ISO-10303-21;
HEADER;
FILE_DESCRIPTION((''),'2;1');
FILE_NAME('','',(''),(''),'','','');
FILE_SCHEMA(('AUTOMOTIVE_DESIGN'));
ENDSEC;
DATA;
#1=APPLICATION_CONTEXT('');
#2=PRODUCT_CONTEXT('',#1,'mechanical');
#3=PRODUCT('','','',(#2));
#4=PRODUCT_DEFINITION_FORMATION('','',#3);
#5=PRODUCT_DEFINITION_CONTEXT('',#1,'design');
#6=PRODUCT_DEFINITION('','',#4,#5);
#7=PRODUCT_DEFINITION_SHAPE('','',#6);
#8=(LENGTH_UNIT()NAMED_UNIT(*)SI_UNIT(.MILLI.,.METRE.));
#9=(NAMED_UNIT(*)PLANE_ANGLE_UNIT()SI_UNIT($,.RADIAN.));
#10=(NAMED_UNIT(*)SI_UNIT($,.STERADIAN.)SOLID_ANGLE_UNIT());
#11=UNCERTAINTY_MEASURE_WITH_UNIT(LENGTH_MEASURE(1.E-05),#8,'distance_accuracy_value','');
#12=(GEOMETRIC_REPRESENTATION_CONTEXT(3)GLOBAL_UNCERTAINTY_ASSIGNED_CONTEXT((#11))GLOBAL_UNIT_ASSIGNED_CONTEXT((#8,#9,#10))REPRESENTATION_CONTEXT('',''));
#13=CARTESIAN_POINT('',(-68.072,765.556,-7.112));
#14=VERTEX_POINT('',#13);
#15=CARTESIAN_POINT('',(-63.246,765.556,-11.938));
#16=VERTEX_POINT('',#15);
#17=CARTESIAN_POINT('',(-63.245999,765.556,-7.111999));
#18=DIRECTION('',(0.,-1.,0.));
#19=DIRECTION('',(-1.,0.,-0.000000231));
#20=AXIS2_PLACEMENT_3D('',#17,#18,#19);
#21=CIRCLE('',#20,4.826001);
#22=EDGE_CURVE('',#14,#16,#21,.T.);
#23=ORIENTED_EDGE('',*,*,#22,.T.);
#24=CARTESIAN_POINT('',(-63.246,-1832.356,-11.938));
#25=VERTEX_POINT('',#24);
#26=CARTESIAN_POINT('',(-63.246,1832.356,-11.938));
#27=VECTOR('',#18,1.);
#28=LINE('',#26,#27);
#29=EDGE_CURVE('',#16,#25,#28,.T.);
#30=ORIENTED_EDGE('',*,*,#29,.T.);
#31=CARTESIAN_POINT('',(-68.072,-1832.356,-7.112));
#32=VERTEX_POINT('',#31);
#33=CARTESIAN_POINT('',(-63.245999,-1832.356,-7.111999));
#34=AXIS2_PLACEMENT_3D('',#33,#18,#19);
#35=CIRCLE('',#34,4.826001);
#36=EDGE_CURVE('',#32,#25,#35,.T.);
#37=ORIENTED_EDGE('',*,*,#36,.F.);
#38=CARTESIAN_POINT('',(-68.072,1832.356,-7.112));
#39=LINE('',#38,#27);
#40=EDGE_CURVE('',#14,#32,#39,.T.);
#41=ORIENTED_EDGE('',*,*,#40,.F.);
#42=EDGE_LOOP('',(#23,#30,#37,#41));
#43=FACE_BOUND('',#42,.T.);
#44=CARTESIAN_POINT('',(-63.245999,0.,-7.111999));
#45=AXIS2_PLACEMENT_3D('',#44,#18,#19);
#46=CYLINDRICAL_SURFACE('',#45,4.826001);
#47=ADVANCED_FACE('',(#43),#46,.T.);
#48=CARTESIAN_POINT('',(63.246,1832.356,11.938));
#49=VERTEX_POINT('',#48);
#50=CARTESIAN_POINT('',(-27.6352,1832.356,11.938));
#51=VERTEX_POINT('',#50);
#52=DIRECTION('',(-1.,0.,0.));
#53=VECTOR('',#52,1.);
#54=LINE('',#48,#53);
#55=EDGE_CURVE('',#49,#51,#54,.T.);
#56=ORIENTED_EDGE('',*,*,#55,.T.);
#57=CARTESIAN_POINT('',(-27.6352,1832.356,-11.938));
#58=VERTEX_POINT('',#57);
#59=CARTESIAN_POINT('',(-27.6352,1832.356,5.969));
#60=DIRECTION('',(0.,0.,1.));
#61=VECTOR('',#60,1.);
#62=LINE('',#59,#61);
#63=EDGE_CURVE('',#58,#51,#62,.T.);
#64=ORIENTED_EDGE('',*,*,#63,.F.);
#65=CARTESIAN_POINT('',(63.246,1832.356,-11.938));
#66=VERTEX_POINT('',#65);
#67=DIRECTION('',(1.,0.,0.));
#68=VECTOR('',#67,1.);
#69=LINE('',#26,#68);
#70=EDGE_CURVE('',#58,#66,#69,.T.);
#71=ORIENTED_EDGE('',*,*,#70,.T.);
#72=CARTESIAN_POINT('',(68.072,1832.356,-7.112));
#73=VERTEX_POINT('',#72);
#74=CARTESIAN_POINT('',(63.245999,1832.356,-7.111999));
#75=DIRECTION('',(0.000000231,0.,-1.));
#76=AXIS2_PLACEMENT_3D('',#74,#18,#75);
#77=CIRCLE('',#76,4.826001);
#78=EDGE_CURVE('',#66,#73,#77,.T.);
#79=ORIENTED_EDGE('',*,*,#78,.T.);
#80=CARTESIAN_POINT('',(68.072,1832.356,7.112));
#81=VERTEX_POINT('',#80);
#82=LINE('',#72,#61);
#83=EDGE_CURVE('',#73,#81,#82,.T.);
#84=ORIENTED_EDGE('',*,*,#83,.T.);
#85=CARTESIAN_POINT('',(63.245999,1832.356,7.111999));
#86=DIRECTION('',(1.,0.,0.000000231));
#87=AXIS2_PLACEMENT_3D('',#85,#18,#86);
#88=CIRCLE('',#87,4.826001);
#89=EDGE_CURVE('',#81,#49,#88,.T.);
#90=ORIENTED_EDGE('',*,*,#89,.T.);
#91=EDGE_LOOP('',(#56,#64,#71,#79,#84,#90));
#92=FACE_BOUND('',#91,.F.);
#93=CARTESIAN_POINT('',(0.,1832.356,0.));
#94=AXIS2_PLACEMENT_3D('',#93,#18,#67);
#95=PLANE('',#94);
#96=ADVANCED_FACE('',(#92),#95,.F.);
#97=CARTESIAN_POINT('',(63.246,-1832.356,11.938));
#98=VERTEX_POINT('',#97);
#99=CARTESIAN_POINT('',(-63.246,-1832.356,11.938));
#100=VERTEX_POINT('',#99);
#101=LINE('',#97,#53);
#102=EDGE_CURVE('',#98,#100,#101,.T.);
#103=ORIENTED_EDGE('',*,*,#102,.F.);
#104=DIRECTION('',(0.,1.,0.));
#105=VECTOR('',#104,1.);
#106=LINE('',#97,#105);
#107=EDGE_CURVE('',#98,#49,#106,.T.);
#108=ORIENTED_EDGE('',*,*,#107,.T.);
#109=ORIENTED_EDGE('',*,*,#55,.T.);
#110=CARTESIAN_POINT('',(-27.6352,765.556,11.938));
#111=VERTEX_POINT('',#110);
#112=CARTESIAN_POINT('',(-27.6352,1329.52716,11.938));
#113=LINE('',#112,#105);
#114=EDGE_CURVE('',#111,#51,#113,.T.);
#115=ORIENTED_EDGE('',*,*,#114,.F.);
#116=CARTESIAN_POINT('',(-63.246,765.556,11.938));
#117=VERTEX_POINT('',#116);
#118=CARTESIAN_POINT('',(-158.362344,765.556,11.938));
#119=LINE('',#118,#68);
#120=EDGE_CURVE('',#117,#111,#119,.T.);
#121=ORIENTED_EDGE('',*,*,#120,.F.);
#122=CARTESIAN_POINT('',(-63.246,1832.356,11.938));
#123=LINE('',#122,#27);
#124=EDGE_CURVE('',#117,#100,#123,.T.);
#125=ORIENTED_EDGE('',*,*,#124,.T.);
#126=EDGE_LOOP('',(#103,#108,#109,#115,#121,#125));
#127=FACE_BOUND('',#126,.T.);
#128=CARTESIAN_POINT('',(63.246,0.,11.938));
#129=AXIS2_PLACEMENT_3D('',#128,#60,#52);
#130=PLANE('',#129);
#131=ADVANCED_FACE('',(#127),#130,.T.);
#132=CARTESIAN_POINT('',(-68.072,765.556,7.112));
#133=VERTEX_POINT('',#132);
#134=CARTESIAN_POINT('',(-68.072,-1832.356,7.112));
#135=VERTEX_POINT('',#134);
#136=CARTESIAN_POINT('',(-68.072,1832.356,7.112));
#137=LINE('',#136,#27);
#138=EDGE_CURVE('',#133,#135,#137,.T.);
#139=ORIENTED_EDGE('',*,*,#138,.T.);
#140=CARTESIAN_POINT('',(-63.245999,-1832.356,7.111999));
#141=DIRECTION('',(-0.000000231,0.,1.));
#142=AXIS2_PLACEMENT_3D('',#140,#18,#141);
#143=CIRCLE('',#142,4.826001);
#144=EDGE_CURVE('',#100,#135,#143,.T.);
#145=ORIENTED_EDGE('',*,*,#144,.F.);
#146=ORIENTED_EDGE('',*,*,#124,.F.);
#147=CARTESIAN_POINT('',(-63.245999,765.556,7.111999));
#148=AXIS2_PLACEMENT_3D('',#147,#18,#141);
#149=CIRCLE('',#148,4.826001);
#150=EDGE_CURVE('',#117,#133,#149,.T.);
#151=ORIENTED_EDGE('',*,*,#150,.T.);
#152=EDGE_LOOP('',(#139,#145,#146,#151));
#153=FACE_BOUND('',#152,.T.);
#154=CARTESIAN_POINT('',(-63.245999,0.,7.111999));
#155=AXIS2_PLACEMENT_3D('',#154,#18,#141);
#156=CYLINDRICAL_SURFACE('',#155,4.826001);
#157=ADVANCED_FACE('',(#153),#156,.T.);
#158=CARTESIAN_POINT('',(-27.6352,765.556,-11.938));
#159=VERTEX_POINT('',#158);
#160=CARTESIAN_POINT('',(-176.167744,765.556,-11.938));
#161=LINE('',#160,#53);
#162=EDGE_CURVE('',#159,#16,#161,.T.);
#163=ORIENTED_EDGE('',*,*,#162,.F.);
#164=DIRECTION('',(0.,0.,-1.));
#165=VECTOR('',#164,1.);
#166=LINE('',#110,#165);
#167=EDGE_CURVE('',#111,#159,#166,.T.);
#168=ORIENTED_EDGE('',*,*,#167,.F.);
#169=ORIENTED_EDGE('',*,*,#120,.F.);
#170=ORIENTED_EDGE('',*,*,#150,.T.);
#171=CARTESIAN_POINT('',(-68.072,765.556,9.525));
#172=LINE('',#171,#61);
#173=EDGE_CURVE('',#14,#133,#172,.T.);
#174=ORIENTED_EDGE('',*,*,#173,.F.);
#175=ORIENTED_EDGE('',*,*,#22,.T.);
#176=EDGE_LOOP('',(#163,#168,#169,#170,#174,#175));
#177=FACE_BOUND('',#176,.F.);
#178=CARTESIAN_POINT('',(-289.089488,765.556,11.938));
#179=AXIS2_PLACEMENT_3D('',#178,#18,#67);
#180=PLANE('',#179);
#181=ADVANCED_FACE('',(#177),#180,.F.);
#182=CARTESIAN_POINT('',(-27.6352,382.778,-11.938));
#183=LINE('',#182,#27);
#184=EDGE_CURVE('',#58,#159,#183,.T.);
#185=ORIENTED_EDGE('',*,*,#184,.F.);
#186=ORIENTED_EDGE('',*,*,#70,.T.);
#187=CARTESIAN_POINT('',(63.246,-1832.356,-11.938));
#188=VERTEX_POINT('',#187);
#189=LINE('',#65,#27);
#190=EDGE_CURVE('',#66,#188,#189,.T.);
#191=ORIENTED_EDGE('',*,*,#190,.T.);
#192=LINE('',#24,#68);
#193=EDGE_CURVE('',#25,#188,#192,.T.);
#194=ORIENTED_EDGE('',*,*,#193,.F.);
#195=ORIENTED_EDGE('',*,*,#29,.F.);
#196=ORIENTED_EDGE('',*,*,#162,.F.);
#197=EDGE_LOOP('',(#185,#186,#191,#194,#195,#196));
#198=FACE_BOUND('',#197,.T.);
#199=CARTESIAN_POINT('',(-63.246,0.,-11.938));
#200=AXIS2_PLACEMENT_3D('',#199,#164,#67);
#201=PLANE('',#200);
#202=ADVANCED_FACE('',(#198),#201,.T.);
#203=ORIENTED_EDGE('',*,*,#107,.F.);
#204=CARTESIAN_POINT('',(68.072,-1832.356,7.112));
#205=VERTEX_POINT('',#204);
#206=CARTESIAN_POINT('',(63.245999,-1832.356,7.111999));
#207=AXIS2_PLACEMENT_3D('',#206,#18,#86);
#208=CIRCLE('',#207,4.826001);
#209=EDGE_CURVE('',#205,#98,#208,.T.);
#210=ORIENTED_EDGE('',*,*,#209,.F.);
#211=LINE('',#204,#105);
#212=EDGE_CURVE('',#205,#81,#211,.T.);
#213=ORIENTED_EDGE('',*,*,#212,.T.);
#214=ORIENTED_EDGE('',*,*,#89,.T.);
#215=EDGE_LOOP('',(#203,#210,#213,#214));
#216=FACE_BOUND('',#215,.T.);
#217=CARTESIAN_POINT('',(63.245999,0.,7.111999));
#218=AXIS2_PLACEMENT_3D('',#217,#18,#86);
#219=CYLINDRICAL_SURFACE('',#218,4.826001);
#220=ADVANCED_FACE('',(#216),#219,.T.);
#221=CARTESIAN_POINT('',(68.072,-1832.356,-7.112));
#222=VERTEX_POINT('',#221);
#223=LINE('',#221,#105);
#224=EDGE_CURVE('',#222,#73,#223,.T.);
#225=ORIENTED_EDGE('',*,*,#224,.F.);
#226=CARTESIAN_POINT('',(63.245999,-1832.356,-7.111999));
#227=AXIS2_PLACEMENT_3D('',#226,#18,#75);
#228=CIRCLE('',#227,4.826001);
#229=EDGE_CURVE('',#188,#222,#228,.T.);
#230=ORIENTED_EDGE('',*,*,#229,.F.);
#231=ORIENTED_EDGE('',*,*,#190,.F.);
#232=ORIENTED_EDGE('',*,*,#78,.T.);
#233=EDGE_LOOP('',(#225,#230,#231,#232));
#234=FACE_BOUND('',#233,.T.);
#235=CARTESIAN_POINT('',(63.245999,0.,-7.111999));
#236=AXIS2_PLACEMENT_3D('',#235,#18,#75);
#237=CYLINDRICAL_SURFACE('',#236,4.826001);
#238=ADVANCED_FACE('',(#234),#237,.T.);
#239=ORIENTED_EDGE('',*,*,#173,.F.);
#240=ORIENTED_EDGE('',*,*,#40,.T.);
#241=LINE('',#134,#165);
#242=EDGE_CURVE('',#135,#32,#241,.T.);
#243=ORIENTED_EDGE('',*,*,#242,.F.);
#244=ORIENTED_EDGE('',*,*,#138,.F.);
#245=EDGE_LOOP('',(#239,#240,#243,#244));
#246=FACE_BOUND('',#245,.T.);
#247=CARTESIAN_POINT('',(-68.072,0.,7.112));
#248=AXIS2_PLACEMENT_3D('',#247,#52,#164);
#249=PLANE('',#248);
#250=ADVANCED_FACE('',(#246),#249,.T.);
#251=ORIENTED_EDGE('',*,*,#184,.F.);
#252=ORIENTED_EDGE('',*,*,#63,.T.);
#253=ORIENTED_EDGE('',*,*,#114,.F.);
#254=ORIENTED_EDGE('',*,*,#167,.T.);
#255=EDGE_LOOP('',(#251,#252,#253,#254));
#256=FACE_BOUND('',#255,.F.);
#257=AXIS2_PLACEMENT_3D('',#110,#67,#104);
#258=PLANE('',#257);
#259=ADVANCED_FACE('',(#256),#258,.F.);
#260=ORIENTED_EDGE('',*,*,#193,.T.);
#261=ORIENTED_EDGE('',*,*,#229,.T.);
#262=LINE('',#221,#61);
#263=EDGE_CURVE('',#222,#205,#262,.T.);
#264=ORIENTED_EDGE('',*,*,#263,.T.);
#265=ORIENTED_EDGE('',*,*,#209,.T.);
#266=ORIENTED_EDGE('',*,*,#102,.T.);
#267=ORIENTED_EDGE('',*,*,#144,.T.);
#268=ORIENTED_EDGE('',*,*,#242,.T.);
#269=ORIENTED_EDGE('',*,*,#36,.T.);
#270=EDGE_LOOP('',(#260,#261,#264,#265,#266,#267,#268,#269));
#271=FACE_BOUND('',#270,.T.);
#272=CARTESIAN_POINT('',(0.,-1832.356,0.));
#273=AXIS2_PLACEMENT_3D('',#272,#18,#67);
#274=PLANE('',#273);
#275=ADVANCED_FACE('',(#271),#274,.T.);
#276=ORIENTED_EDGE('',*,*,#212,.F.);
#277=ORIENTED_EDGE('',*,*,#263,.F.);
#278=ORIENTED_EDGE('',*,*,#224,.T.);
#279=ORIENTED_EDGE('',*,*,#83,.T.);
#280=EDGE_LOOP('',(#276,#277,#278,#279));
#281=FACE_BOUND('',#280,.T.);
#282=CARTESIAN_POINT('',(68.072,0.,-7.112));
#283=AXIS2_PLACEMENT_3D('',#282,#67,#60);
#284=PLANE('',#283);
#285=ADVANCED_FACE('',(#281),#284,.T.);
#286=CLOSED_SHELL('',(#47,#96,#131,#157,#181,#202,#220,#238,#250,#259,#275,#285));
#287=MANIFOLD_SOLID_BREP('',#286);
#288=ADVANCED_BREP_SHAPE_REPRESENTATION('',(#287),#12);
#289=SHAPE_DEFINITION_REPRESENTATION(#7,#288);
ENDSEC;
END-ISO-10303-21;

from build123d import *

# Parameters (mm, degrees)
F1_DEPTH = 1832.356
F2_W     = 261.454288
F2_H     = 1127.94232
F3_DEPTH = 23.877


with BuildPart() as f1:
    # F0 (on Front) → F1 (new body, symmetric)
    with BuildSketch(Plane.XZ):
        with BuildLine():
            Line((63.246, 11.938), (-63.246, 11.938))
            ThreePointArc((-63.246, 11.938), (-66.658497, 10.524497), (-68.072, 7.112))
            Line((-68.072, 7.112), (-68.072, -7.112))
            ThreePointArc((-68.072, -7.112), (-66.658497, -10.524497), (-63.246, -11.938))
            Line((-63.246, -11.938), (63.246, -11.938))
            ThreePointArc((63.246, -11.938), (66.658497, -10.524497), (68.072, -7.112))
            Line((68.072, -7.112), (68.072, 7.112))
            ThreePointArc((68.072, 7.112), (66.658497, 10.524497), (63.246, 11.938))
        make_face()
    extrude(amount=F1_DEPTH, both=True)

    # F2 (on face) → F3 (cut, through all)
    with BuildSketch(Plane.XY.offset(11.938)):
        with Locations((-158.362344, 1329.52716)):
            Rectangle(F2_W, F2_H)
    extrude(amount=-F3_DEPTH, mode=Mode.SUBTRACT)


solid = f1.part
